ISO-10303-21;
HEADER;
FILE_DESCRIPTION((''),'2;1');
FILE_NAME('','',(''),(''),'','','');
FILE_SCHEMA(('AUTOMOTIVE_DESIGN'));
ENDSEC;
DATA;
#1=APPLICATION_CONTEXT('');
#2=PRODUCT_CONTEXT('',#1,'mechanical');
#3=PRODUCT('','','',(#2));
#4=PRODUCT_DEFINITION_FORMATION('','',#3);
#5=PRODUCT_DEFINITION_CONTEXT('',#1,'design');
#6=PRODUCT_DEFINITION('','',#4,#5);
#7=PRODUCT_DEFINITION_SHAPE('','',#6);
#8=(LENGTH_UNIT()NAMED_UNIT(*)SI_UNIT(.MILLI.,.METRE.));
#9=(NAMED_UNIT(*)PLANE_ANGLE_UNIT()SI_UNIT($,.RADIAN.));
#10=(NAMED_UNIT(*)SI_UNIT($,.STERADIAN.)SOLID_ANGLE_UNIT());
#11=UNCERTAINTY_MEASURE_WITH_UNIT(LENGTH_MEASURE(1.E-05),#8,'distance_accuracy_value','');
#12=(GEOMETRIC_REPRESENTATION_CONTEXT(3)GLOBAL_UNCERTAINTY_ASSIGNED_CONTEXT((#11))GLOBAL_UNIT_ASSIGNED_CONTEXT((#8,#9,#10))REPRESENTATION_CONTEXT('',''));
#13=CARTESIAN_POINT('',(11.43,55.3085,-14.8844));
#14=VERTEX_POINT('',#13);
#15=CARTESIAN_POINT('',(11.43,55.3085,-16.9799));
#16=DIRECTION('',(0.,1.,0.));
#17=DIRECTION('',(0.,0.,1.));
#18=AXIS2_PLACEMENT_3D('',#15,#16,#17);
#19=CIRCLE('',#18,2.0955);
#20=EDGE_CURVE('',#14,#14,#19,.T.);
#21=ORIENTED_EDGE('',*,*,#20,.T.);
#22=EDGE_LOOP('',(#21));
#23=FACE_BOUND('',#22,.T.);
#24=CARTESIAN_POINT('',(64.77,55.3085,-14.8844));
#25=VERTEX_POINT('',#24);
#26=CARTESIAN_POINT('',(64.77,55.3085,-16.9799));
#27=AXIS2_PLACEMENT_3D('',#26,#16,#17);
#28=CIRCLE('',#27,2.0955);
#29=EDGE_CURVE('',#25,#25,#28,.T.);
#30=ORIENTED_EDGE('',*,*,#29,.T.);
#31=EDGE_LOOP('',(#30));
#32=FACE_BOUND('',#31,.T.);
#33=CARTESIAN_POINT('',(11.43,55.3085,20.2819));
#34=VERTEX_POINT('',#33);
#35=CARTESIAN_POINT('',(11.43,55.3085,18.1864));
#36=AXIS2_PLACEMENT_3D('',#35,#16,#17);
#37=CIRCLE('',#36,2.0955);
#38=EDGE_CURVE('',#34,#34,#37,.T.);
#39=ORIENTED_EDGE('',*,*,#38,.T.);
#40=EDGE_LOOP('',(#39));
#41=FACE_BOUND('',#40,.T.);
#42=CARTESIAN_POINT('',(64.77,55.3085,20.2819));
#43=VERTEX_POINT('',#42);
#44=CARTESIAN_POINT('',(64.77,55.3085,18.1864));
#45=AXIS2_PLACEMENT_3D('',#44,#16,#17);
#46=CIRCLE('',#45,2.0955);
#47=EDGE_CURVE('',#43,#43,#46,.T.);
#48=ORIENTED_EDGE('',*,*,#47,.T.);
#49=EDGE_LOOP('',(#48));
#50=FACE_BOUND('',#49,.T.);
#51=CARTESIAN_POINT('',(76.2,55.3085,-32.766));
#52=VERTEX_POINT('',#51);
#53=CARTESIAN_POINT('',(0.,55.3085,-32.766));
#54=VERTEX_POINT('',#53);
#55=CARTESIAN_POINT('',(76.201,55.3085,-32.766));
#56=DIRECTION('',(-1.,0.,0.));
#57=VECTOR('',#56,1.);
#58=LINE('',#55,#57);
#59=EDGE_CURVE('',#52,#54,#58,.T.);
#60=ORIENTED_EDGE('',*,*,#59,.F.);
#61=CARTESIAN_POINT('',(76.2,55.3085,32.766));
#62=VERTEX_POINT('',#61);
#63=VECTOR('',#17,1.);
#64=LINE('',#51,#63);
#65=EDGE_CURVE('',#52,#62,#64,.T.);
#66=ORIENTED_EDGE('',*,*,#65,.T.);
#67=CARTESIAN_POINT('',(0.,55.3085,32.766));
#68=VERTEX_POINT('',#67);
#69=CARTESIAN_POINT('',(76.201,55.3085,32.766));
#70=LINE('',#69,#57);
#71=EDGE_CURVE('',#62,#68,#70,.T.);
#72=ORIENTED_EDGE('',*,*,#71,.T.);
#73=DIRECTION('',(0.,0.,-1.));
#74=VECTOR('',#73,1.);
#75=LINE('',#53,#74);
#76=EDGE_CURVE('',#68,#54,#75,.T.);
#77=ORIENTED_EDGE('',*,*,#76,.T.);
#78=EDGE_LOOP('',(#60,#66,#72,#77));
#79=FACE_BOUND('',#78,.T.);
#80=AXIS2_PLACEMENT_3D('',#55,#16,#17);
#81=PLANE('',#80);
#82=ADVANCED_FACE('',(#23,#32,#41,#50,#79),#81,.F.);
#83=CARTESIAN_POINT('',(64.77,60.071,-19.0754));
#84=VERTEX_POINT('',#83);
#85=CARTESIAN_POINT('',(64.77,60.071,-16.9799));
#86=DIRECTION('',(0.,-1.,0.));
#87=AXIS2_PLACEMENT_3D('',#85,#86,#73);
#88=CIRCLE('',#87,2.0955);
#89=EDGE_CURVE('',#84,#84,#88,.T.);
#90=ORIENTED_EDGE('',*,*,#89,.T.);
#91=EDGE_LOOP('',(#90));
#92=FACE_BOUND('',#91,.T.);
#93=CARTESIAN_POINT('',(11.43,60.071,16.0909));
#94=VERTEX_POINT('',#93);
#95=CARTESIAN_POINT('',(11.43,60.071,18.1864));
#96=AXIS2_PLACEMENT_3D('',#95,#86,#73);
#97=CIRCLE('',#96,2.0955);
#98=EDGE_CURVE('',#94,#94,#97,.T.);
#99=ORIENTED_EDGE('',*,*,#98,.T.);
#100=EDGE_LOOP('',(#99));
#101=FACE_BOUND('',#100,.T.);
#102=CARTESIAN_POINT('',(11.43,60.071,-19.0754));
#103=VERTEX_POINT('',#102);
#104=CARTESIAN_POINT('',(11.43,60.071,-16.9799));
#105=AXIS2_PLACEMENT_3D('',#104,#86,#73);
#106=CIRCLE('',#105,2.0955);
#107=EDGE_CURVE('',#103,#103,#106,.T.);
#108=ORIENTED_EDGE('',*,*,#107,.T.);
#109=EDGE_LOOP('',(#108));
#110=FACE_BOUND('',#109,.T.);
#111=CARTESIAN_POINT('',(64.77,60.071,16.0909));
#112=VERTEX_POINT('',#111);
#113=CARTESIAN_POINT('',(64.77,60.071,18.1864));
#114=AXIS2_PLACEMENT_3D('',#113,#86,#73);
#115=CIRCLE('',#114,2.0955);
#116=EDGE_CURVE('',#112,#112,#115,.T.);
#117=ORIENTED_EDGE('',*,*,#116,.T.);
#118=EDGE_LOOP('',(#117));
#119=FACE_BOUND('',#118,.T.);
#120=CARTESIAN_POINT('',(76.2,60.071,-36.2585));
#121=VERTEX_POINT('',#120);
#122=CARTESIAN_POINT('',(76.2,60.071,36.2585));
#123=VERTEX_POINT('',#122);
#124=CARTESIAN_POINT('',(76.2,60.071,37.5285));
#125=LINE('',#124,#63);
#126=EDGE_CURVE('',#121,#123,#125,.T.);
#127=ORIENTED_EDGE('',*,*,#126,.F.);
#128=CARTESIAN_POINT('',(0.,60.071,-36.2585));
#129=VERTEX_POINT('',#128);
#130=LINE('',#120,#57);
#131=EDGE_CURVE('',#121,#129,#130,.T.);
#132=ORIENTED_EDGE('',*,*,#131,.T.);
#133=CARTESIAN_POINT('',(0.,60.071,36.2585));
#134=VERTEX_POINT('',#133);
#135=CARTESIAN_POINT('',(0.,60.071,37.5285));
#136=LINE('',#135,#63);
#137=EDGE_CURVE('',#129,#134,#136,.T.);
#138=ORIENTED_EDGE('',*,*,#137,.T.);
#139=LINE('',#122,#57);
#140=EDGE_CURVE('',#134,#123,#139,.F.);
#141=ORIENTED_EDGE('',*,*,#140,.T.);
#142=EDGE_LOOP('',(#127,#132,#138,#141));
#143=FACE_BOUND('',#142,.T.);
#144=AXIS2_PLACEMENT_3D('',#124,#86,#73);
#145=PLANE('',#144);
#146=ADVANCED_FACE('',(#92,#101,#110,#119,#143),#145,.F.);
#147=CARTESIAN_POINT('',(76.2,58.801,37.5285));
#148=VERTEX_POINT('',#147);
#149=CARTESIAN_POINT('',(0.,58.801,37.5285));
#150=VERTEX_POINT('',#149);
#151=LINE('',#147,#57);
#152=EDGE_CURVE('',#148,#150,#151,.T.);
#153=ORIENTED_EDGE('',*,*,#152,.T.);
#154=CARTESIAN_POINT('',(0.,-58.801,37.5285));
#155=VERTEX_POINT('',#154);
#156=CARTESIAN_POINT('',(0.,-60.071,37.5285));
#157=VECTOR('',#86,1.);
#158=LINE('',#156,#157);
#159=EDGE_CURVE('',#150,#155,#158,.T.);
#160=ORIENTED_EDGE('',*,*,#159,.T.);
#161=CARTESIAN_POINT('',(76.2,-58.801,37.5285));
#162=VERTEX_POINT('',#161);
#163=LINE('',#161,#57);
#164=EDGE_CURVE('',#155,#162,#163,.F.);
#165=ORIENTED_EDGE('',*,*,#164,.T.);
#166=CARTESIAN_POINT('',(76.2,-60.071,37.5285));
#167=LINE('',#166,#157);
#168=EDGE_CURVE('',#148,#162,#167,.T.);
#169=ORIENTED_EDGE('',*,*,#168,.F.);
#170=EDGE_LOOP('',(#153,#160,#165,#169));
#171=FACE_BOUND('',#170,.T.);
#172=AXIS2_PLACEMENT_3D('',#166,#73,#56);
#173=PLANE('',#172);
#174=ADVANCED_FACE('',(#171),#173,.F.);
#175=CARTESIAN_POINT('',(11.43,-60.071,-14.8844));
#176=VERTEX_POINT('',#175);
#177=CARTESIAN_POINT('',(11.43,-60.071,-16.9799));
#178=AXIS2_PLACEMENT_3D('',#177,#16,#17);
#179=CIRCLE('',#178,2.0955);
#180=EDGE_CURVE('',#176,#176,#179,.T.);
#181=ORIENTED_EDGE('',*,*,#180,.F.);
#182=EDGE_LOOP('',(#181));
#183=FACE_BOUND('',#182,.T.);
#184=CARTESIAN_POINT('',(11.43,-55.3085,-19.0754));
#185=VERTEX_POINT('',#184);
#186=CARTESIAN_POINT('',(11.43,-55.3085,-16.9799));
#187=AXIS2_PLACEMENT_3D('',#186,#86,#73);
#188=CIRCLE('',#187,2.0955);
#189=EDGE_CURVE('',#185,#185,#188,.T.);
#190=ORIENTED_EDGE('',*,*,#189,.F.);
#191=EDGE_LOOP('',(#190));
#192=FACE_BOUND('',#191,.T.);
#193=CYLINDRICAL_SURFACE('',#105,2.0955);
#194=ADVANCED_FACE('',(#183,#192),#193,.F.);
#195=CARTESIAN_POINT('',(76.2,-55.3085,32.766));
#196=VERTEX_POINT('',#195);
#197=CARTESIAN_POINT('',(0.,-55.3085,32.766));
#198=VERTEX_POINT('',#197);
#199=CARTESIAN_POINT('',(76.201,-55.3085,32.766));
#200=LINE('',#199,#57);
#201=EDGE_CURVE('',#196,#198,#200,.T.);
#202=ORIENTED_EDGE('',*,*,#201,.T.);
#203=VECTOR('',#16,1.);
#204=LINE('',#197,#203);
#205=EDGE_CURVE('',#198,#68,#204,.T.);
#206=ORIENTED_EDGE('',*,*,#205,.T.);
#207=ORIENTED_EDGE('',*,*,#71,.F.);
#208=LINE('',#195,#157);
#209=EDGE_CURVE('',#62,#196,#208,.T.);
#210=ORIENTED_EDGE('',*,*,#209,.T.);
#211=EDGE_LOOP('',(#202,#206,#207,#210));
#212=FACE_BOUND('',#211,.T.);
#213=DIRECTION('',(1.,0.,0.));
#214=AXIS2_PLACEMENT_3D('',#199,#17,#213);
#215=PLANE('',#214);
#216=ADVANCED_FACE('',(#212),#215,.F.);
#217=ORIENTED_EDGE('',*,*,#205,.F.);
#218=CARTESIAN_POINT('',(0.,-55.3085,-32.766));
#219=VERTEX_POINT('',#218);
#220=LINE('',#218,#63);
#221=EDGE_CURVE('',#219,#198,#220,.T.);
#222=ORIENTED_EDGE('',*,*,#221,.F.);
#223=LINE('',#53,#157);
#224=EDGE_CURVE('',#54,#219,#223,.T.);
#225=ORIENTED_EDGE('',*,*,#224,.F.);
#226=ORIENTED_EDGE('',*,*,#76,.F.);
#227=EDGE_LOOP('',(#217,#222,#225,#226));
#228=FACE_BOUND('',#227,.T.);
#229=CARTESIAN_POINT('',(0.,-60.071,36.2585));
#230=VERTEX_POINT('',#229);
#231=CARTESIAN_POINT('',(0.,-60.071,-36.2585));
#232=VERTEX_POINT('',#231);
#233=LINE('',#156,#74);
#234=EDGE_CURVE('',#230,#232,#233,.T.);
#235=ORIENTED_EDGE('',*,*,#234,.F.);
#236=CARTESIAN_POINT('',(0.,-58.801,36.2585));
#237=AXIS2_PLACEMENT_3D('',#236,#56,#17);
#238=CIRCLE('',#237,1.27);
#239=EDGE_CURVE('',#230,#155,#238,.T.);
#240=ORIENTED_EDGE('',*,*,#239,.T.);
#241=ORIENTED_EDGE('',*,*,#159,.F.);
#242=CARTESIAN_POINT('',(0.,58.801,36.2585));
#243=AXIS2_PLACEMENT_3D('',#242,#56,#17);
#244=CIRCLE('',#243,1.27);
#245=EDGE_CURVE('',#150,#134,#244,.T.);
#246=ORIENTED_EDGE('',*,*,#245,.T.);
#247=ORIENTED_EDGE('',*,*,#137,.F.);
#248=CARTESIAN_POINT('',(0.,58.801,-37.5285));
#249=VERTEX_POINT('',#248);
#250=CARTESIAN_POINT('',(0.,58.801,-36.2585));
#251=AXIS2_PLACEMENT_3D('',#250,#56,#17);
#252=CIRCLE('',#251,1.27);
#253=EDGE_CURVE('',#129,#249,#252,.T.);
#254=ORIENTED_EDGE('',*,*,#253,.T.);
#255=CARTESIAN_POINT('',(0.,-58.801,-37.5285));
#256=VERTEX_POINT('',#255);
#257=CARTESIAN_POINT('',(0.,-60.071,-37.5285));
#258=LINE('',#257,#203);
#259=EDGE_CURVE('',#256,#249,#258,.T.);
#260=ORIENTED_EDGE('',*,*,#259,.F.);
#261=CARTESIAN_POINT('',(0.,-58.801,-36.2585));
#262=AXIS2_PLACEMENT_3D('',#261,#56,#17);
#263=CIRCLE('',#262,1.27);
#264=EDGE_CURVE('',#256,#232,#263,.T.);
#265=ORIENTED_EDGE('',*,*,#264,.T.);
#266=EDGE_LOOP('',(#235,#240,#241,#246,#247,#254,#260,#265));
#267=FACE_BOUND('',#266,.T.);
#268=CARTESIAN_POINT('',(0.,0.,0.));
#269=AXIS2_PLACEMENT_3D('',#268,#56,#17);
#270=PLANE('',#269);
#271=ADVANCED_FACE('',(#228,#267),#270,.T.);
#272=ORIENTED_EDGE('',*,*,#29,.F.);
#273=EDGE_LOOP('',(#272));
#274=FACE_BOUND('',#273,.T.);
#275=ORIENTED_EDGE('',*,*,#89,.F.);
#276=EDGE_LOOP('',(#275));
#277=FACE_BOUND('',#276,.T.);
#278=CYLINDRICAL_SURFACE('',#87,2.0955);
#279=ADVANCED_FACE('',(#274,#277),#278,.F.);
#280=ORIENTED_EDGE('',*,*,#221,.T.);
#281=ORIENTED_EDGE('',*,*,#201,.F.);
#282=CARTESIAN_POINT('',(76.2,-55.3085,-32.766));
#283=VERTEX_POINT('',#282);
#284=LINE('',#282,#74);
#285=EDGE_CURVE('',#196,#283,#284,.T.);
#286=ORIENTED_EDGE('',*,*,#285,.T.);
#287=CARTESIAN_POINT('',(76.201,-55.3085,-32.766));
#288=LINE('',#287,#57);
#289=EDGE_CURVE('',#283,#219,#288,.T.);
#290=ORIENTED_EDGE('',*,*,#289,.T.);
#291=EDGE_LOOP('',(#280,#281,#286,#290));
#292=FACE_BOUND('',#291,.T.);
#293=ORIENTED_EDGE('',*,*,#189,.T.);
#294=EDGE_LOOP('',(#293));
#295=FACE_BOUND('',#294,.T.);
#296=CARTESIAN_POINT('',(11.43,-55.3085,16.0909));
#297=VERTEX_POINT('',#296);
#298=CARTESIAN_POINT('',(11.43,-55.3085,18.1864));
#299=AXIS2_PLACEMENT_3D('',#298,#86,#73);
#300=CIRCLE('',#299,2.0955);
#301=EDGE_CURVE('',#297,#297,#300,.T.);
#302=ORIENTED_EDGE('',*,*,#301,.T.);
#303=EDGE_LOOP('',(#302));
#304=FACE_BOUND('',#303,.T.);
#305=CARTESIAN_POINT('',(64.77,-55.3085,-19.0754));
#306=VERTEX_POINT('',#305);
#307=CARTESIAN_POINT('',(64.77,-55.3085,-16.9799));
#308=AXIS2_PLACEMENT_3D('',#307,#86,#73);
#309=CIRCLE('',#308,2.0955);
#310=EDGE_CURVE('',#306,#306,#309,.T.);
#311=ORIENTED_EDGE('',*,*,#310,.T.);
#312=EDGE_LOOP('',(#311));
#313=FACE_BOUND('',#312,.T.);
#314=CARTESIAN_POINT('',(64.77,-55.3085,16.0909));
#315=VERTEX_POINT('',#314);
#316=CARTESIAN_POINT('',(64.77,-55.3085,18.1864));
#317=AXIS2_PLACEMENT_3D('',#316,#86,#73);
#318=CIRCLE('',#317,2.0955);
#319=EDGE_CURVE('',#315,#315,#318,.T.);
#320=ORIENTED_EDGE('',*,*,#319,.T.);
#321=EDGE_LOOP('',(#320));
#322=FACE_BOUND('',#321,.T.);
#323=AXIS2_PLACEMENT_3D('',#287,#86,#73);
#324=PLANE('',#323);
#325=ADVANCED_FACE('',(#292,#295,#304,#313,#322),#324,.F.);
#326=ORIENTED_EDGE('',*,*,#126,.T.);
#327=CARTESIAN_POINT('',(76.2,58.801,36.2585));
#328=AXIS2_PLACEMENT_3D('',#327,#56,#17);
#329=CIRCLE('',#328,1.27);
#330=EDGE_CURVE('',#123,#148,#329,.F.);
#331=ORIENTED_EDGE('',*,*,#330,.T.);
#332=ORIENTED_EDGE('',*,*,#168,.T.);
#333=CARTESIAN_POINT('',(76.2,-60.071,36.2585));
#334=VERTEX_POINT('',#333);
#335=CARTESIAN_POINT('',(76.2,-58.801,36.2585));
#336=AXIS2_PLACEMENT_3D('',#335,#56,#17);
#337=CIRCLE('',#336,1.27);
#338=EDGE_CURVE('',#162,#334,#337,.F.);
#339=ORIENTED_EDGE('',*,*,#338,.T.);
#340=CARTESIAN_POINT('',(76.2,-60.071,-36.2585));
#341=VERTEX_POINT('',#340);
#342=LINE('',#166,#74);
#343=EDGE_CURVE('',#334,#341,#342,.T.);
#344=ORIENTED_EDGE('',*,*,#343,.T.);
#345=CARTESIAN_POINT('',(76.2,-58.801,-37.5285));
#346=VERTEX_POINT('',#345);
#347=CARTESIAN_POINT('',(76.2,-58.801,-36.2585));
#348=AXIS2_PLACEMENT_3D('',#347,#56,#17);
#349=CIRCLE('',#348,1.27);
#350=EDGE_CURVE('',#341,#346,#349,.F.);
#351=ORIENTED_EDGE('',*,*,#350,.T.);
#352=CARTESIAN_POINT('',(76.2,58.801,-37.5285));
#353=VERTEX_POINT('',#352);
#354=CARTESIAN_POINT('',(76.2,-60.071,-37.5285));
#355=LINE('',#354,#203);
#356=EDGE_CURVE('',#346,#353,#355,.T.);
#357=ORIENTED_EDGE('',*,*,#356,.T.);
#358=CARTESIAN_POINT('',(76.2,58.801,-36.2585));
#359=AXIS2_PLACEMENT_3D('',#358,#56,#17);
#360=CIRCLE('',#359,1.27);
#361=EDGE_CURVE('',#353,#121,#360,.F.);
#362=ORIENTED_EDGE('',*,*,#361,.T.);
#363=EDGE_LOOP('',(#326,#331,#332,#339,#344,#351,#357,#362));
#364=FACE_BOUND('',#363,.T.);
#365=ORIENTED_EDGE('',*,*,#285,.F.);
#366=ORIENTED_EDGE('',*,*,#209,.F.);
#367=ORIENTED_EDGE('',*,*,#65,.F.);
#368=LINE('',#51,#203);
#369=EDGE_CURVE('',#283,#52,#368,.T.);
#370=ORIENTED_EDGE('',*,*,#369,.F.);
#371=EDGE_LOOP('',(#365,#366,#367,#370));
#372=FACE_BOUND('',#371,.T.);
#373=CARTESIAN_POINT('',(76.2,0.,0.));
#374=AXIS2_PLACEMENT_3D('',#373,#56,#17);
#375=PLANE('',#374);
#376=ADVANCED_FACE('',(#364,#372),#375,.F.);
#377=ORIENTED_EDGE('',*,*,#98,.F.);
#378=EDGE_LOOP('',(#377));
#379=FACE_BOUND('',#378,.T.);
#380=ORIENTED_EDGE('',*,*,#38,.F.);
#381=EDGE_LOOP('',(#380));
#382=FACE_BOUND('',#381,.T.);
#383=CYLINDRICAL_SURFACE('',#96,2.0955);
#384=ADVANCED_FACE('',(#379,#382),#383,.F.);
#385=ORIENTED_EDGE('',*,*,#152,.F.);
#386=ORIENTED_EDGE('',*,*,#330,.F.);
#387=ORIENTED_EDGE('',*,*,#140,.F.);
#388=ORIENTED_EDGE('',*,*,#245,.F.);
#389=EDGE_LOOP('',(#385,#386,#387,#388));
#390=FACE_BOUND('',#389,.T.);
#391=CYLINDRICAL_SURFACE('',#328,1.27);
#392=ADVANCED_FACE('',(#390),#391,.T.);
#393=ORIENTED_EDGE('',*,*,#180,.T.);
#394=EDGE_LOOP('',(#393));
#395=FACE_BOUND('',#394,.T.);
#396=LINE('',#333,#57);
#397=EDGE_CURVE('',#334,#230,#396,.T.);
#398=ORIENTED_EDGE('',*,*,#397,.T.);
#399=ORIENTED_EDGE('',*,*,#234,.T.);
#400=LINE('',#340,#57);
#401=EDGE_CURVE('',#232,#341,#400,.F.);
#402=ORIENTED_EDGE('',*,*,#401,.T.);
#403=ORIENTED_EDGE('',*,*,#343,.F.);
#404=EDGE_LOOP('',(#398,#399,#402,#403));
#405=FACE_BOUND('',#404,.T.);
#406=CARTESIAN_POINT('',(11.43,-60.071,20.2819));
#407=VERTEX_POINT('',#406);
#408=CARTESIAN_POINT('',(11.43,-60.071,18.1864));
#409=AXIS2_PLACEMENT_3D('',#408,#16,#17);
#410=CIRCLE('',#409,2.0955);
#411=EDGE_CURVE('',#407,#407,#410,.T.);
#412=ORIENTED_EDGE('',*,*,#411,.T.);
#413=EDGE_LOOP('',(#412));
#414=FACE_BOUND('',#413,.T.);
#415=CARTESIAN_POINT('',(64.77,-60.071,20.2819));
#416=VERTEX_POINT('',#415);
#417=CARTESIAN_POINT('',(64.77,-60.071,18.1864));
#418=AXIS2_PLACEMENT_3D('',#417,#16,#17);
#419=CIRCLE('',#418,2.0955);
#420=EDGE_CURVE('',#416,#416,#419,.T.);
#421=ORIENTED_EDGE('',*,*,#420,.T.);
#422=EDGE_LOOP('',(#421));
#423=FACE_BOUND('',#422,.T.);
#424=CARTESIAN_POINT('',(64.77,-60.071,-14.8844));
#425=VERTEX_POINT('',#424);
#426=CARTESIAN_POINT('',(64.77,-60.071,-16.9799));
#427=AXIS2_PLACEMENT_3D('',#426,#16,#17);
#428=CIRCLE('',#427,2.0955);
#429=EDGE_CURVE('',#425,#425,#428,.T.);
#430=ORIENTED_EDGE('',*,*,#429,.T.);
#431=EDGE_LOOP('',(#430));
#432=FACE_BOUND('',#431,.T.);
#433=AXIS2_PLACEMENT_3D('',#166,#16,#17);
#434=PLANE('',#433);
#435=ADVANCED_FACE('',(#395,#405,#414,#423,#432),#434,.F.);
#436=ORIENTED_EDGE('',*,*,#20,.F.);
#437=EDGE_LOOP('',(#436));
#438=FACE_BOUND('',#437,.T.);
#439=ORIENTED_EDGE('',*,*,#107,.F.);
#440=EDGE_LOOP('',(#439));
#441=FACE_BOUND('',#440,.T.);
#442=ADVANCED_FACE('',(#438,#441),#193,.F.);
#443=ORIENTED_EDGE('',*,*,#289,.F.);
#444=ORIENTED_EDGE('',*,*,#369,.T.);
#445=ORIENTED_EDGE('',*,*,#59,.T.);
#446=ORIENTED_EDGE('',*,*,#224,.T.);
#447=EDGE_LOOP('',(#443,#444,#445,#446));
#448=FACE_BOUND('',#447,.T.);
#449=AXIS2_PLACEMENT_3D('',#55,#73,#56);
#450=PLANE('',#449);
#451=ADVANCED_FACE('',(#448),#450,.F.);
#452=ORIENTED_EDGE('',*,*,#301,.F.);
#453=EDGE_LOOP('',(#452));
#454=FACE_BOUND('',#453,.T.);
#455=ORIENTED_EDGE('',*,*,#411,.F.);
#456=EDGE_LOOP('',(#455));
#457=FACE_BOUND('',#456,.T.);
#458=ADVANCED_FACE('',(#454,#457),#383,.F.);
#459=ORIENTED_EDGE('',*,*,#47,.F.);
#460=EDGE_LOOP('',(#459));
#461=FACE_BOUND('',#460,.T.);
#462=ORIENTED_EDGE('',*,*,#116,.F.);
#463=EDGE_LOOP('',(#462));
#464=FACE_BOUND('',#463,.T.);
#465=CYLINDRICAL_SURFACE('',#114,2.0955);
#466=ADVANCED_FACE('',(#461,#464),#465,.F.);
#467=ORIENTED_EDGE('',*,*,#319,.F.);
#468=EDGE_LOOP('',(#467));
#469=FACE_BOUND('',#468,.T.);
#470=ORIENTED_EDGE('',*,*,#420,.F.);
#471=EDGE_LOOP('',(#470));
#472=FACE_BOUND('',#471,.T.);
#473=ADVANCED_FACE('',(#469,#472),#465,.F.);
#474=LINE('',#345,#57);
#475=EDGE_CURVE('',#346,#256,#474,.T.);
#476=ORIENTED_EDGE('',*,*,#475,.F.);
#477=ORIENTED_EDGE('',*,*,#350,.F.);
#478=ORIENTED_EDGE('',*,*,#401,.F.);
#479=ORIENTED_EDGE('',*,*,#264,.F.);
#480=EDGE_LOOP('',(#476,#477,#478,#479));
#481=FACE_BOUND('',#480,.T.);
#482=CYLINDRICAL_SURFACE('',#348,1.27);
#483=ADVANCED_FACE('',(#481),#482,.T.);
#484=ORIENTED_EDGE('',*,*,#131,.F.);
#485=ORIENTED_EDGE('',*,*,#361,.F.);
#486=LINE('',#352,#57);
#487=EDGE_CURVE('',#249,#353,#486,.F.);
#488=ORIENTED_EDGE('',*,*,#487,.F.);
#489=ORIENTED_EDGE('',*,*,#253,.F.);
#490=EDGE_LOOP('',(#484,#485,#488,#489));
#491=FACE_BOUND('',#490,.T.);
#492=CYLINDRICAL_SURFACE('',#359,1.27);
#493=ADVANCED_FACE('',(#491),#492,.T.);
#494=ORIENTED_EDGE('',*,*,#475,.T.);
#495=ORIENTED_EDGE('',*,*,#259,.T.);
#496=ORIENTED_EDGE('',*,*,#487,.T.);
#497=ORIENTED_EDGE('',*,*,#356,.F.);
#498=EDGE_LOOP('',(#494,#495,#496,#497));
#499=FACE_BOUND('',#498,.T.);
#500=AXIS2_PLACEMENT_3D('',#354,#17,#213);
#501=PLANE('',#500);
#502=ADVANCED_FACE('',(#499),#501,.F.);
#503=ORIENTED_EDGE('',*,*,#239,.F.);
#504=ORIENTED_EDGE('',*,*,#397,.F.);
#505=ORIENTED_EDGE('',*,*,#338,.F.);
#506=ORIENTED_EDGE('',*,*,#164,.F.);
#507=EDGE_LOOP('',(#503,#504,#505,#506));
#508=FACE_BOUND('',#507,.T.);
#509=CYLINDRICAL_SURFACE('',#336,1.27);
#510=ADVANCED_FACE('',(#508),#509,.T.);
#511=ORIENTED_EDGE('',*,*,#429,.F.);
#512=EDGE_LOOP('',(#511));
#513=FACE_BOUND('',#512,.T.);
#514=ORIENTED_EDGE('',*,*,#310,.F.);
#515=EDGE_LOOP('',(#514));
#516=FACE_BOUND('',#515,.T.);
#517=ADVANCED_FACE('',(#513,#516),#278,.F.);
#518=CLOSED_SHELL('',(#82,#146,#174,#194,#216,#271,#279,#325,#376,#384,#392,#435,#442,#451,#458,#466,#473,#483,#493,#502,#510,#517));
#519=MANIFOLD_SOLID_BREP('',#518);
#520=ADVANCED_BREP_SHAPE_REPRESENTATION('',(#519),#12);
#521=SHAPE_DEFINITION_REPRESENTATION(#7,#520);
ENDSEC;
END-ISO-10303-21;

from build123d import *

# Parameters (mm, degrees)
SKETCH2_W               = 75.057
SKETCH2_H               = 120.142
BOSS_EXTRUDE1_DEPTH     = 76.2
CUT_EXTRUDE1_REACH      = 106.035
SKETCH6_W               = 65.532
SKETCH6_H               = 110.617
FILLET1_R               = 1.27
CUT_EXTRUDE3_DEPTH      = 148.135748465
CUT_EXTRUDE3_DEPTH_BACK = 148.135748465
SKETCH7_R               = 2.0955


with BuildPart() as part:
    # Sketch2 → Boss-Extrude1 (new body)
    with BuildSketch(Plane(origin=(0, 0, 0), x_dir=(0, 0, -1), z_dir=(1, 0, 0))):
        Rectangle(SKETCH2_W, SKETCH2_H)
    extrude(amount=BOSS_EXTRUDE1_DEPTH)

    # Sketch6 → Cut-Extrude1 (cut, up to next)
    with BuildSketch(Plane.ZY, mode=Mode.PRIVATE) as cut_extrude1_sk1:
        Rectangle(SKETCH6_W, SKETCH6_H)
    cut_extrude1_tool1 = extrude(cut_extrude1_sk1.sketch, amount=-CUT_EXTRUDE1_REACH, mode=Mode.PRIVATE) & part.part
    add(cut_extrude1_tool1.solids().sort_by_distance((0, 0, 0))[0], mode=Mode.SUBTRACT)

    # Fillet1
    fillet1_edges = [part.edges().sort_by_distance(p)[0] for p in [
        (38.1, -60.071, -37.5285),
        (38.1, -60.071, 37.5285),
        (38.1, 60.071, 37.5285),
        (38.1, 60.071, -37.5285),
    ]]
    fillet(fillet1_edges, radius=FILLET1_R)

    # Sketch7 → Cut-Extrude3 (cut, two sides: drawn at the far end of the back side and taken through both)
    with BuildSketch(Plane.XZ.offset(60.071).offset(-CUT_EXTRUDE3_DEPTH_BACK)):
        with Locations(Location((11.43, 18.1864, 0), (0, 0, 270))):
            Circle(SKETCH7_R)
        with Locations(Location((64.77, 18.1864, 0), (0, 0, 270))):
            Circle(SKETCH7_R)
        with Locations(Location((11.43, -16.9799, 0), (0, 0, 270))):
            Circle(SKETCH7_R)
        with Locations(Location((64.77, -16.9799, 0), (0, 0, 270))):
            Circle(SKETCH7_R)
    extrude(amount=CUT_EXTRUDE3_DEPTH + CUT_EXTRUDE3_DEPTH_BACK, mode=Mode.SUBTRACT)


solid = part.part
